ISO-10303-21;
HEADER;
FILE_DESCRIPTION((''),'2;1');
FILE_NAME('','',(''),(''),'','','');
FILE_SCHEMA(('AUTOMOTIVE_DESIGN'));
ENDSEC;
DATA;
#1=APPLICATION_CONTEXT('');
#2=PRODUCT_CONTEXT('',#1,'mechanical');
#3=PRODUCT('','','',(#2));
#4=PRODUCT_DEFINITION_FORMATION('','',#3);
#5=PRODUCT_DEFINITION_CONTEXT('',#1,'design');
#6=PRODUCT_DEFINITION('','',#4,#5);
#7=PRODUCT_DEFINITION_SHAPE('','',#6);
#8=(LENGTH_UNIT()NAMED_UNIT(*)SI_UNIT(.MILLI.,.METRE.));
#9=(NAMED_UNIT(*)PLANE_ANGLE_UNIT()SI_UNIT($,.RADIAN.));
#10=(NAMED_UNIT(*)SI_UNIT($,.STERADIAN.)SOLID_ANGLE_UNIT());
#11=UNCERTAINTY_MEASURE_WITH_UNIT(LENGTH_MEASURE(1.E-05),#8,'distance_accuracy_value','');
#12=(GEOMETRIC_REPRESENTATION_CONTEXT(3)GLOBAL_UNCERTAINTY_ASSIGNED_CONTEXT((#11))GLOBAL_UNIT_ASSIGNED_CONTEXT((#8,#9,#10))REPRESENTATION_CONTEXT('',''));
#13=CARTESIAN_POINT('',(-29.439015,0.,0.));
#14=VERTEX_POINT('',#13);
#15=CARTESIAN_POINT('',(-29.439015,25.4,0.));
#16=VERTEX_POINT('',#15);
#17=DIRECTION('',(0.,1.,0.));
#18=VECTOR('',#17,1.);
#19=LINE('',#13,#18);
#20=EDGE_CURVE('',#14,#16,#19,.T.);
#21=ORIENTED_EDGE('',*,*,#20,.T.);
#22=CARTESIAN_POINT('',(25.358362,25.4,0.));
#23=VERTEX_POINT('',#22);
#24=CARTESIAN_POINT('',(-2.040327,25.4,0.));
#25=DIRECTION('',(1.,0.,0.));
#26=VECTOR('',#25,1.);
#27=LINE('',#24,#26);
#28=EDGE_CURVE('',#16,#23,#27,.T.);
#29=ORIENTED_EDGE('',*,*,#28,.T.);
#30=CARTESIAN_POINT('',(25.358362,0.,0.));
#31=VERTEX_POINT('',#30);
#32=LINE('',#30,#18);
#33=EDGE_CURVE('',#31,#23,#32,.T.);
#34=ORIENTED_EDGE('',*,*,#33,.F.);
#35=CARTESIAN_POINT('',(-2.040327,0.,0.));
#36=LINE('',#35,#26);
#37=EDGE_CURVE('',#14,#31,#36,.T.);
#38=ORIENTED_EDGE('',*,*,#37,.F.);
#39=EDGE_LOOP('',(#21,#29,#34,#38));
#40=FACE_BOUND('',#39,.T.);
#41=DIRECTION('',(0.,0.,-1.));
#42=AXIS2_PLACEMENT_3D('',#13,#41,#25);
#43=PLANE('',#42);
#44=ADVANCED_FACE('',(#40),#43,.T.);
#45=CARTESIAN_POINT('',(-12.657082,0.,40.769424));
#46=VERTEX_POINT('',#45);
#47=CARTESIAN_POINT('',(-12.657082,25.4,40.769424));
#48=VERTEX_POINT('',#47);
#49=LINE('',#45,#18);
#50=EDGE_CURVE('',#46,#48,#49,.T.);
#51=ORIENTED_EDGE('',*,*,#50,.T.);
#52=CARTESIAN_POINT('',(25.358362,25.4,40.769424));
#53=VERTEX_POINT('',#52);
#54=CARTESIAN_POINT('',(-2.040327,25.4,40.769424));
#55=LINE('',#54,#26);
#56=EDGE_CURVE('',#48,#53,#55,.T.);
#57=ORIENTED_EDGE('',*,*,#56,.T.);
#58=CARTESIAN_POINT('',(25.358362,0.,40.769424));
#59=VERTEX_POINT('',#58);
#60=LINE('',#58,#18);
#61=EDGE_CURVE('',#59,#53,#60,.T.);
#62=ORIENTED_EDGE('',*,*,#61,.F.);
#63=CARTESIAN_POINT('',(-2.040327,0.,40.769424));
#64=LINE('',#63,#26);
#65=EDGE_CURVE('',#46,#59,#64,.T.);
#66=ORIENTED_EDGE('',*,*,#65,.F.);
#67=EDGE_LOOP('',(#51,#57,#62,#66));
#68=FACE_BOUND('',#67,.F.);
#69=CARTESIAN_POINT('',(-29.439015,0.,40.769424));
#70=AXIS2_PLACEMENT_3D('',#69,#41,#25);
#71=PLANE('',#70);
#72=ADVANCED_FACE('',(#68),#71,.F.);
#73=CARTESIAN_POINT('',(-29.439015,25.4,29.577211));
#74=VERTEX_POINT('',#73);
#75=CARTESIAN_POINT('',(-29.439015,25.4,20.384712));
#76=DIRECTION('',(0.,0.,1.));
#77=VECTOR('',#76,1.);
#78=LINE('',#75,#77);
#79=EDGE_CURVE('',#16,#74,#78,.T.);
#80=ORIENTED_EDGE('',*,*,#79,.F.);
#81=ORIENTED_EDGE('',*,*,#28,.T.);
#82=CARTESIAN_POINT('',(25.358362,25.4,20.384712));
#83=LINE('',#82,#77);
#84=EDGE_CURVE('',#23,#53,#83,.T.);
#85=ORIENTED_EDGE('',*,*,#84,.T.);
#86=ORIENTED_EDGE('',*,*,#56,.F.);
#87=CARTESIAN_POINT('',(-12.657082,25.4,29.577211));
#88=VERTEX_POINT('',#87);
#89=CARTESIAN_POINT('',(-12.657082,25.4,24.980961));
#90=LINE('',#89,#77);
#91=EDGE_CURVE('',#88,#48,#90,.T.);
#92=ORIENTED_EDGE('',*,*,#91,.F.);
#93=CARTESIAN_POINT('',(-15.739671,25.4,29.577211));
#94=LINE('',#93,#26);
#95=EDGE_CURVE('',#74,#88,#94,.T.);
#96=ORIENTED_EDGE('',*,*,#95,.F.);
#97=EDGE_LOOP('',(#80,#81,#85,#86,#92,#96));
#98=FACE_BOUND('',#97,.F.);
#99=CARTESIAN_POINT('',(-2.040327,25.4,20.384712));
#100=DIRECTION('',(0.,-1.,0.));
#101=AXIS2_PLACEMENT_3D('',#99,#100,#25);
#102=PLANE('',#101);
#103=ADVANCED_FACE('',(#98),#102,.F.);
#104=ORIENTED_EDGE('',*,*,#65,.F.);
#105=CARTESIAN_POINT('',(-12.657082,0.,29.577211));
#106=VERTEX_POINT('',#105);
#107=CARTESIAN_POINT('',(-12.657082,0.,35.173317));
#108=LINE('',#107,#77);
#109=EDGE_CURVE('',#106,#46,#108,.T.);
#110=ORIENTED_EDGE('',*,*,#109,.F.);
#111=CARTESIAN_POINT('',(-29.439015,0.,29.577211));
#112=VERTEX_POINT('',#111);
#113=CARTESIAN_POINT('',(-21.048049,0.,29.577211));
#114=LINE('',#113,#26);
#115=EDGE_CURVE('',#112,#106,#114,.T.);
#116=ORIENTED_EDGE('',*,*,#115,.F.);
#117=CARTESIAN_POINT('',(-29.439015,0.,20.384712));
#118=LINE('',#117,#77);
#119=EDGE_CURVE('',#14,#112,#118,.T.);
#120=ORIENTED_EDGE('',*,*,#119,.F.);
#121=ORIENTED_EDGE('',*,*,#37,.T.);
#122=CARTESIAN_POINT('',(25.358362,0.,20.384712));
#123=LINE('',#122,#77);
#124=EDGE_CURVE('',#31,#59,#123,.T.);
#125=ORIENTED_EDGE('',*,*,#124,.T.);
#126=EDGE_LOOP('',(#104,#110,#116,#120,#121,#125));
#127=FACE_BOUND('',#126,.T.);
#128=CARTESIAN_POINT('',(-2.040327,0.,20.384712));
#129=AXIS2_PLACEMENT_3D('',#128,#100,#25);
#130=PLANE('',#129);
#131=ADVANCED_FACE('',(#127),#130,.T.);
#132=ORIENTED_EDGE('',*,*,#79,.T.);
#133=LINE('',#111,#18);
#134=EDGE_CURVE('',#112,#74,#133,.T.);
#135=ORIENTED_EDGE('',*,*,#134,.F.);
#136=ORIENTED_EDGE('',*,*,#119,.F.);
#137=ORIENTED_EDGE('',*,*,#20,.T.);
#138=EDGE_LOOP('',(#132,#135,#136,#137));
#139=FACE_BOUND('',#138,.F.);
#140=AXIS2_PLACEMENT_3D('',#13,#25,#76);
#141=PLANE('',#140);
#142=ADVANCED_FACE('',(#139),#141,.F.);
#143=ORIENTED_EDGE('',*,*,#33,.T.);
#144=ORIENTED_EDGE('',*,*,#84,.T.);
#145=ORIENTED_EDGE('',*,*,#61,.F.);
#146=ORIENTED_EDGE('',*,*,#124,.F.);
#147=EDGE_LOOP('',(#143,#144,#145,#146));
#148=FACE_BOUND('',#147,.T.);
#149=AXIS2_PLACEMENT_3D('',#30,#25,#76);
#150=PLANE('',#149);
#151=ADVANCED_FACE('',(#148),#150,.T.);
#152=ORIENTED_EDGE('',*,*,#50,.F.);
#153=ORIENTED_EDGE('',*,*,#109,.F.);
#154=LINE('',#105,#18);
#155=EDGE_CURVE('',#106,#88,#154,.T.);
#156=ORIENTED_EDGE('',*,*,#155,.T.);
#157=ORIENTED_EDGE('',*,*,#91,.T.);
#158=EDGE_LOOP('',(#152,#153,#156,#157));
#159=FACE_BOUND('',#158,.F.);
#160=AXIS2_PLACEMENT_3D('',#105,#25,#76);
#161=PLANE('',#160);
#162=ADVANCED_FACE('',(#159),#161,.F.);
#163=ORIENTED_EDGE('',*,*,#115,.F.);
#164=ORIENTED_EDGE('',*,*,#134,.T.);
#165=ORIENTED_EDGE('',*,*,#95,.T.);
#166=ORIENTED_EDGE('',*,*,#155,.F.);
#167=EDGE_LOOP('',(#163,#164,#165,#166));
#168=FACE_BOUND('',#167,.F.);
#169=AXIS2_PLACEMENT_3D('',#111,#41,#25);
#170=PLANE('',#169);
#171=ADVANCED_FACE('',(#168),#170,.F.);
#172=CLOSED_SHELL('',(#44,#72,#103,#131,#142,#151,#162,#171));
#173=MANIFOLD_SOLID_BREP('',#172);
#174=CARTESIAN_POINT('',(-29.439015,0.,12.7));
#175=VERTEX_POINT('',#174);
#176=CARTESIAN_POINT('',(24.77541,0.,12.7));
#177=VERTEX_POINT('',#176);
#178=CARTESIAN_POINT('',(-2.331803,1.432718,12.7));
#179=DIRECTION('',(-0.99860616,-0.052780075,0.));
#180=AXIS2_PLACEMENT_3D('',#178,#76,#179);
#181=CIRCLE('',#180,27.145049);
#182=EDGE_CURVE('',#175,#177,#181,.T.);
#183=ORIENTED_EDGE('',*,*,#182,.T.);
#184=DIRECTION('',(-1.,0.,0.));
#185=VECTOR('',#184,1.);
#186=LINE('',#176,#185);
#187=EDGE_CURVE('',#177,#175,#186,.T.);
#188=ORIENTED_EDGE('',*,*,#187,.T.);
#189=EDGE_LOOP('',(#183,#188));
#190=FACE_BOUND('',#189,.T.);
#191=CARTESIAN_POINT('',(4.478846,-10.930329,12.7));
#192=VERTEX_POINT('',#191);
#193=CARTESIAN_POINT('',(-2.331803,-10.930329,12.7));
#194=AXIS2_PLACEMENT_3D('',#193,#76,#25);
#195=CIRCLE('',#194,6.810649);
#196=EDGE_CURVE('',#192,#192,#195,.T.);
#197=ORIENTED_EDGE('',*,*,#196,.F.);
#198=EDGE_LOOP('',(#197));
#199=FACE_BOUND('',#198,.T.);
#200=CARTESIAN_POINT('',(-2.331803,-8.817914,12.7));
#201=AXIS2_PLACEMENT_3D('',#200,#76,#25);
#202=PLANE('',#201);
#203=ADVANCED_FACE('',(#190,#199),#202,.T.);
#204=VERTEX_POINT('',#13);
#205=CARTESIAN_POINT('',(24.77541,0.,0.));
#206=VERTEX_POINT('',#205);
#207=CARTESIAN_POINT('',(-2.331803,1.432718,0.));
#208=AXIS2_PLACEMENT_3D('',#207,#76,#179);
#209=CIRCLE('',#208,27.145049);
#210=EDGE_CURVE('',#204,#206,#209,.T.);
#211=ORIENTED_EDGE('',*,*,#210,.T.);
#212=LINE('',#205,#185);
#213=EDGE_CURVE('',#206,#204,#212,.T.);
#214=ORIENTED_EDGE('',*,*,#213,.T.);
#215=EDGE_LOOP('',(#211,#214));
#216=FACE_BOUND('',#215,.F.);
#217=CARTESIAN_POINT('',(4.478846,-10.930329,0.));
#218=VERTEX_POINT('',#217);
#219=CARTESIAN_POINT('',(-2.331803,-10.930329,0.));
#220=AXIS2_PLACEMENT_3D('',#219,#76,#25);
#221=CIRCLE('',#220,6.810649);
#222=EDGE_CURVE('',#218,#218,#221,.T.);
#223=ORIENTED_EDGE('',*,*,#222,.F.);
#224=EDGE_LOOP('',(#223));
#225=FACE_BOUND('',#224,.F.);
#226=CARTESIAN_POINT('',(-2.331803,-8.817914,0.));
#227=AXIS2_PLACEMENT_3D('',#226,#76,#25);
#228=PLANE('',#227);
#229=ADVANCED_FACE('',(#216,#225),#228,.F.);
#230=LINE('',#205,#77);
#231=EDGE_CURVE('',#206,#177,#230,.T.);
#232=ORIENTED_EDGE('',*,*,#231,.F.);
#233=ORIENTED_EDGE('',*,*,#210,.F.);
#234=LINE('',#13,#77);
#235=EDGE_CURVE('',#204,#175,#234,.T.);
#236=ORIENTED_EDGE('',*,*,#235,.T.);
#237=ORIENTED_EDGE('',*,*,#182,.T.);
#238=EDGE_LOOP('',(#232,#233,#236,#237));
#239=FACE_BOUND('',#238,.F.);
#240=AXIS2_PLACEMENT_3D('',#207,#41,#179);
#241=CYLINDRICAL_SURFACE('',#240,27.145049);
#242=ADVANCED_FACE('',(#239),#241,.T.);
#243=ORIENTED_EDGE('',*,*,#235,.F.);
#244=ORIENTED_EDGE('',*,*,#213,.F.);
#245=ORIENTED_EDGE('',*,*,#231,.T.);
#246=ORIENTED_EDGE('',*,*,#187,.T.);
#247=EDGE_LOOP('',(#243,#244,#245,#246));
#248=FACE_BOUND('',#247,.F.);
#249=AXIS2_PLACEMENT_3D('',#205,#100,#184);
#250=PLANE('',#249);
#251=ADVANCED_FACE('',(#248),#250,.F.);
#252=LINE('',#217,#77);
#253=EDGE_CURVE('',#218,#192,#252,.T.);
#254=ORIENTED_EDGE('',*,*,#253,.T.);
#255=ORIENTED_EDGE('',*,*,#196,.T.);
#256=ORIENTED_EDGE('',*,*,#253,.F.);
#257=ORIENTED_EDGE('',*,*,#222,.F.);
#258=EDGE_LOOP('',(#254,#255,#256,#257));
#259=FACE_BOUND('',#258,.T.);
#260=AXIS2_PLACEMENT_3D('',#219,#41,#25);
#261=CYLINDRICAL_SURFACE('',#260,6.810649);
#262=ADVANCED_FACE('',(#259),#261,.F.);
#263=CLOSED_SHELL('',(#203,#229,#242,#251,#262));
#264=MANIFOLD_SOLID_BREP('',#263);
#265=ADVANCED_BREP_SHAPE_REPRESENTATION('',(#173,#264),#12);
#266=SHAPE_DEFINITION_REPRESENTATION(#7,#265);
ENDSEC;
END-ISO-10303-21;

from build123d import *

# Parameters (mm, degrees)
F0_R     = 6.8106486863
F1_DEPTH = 12.7
F2_W     = 54.7973774374
F2_H     = 40.7694242895
F3_DEPTH = 25.4
F4_W     = 16.7819336057
F4_H     = 11.1922137439
F5_DEPTH = 25.401


with BuildPart() as f1:
    # F0 (on Top) → F1 (new body)
    with BuildSketch(Plane.XY):
        with BuildLine():
            Line((24.775410071, 0), (-29.439015314, 0))
            ThreePointArc((-29.439015314, 0), (-2.3318026215, -25.7123308299), (24.775410071, 0))
        make_face()
        with Locations((-2.3318026215, -10.9303286299)):
            Circle(F0_R, mode=Mode.SUBTRACT)
    extrude(amount=F1_DEPTH)


with BuildPart() as f3:
    # F2 (on Front) → F3 (new body)
    with BuildSketch(Plane.XZ):
        with Locations((-2.0403265953, 20.3847121447)):
            Rectangle(F2_W, F2_H)
    extrude(amount=-F3_DEPTH)

    # F4 (on face) → F5 (cut, through all)
    with BuildSketch(Plane.XZ):
        with Locations((-21.0480485111, 35.1733174175)):
            Rectangle(F4_W, F4_H)
    extrude(amount=-F5_DEPTH, mode=Mode.SUBTRACT)


solid = Compound([f1.part, f3.part])
